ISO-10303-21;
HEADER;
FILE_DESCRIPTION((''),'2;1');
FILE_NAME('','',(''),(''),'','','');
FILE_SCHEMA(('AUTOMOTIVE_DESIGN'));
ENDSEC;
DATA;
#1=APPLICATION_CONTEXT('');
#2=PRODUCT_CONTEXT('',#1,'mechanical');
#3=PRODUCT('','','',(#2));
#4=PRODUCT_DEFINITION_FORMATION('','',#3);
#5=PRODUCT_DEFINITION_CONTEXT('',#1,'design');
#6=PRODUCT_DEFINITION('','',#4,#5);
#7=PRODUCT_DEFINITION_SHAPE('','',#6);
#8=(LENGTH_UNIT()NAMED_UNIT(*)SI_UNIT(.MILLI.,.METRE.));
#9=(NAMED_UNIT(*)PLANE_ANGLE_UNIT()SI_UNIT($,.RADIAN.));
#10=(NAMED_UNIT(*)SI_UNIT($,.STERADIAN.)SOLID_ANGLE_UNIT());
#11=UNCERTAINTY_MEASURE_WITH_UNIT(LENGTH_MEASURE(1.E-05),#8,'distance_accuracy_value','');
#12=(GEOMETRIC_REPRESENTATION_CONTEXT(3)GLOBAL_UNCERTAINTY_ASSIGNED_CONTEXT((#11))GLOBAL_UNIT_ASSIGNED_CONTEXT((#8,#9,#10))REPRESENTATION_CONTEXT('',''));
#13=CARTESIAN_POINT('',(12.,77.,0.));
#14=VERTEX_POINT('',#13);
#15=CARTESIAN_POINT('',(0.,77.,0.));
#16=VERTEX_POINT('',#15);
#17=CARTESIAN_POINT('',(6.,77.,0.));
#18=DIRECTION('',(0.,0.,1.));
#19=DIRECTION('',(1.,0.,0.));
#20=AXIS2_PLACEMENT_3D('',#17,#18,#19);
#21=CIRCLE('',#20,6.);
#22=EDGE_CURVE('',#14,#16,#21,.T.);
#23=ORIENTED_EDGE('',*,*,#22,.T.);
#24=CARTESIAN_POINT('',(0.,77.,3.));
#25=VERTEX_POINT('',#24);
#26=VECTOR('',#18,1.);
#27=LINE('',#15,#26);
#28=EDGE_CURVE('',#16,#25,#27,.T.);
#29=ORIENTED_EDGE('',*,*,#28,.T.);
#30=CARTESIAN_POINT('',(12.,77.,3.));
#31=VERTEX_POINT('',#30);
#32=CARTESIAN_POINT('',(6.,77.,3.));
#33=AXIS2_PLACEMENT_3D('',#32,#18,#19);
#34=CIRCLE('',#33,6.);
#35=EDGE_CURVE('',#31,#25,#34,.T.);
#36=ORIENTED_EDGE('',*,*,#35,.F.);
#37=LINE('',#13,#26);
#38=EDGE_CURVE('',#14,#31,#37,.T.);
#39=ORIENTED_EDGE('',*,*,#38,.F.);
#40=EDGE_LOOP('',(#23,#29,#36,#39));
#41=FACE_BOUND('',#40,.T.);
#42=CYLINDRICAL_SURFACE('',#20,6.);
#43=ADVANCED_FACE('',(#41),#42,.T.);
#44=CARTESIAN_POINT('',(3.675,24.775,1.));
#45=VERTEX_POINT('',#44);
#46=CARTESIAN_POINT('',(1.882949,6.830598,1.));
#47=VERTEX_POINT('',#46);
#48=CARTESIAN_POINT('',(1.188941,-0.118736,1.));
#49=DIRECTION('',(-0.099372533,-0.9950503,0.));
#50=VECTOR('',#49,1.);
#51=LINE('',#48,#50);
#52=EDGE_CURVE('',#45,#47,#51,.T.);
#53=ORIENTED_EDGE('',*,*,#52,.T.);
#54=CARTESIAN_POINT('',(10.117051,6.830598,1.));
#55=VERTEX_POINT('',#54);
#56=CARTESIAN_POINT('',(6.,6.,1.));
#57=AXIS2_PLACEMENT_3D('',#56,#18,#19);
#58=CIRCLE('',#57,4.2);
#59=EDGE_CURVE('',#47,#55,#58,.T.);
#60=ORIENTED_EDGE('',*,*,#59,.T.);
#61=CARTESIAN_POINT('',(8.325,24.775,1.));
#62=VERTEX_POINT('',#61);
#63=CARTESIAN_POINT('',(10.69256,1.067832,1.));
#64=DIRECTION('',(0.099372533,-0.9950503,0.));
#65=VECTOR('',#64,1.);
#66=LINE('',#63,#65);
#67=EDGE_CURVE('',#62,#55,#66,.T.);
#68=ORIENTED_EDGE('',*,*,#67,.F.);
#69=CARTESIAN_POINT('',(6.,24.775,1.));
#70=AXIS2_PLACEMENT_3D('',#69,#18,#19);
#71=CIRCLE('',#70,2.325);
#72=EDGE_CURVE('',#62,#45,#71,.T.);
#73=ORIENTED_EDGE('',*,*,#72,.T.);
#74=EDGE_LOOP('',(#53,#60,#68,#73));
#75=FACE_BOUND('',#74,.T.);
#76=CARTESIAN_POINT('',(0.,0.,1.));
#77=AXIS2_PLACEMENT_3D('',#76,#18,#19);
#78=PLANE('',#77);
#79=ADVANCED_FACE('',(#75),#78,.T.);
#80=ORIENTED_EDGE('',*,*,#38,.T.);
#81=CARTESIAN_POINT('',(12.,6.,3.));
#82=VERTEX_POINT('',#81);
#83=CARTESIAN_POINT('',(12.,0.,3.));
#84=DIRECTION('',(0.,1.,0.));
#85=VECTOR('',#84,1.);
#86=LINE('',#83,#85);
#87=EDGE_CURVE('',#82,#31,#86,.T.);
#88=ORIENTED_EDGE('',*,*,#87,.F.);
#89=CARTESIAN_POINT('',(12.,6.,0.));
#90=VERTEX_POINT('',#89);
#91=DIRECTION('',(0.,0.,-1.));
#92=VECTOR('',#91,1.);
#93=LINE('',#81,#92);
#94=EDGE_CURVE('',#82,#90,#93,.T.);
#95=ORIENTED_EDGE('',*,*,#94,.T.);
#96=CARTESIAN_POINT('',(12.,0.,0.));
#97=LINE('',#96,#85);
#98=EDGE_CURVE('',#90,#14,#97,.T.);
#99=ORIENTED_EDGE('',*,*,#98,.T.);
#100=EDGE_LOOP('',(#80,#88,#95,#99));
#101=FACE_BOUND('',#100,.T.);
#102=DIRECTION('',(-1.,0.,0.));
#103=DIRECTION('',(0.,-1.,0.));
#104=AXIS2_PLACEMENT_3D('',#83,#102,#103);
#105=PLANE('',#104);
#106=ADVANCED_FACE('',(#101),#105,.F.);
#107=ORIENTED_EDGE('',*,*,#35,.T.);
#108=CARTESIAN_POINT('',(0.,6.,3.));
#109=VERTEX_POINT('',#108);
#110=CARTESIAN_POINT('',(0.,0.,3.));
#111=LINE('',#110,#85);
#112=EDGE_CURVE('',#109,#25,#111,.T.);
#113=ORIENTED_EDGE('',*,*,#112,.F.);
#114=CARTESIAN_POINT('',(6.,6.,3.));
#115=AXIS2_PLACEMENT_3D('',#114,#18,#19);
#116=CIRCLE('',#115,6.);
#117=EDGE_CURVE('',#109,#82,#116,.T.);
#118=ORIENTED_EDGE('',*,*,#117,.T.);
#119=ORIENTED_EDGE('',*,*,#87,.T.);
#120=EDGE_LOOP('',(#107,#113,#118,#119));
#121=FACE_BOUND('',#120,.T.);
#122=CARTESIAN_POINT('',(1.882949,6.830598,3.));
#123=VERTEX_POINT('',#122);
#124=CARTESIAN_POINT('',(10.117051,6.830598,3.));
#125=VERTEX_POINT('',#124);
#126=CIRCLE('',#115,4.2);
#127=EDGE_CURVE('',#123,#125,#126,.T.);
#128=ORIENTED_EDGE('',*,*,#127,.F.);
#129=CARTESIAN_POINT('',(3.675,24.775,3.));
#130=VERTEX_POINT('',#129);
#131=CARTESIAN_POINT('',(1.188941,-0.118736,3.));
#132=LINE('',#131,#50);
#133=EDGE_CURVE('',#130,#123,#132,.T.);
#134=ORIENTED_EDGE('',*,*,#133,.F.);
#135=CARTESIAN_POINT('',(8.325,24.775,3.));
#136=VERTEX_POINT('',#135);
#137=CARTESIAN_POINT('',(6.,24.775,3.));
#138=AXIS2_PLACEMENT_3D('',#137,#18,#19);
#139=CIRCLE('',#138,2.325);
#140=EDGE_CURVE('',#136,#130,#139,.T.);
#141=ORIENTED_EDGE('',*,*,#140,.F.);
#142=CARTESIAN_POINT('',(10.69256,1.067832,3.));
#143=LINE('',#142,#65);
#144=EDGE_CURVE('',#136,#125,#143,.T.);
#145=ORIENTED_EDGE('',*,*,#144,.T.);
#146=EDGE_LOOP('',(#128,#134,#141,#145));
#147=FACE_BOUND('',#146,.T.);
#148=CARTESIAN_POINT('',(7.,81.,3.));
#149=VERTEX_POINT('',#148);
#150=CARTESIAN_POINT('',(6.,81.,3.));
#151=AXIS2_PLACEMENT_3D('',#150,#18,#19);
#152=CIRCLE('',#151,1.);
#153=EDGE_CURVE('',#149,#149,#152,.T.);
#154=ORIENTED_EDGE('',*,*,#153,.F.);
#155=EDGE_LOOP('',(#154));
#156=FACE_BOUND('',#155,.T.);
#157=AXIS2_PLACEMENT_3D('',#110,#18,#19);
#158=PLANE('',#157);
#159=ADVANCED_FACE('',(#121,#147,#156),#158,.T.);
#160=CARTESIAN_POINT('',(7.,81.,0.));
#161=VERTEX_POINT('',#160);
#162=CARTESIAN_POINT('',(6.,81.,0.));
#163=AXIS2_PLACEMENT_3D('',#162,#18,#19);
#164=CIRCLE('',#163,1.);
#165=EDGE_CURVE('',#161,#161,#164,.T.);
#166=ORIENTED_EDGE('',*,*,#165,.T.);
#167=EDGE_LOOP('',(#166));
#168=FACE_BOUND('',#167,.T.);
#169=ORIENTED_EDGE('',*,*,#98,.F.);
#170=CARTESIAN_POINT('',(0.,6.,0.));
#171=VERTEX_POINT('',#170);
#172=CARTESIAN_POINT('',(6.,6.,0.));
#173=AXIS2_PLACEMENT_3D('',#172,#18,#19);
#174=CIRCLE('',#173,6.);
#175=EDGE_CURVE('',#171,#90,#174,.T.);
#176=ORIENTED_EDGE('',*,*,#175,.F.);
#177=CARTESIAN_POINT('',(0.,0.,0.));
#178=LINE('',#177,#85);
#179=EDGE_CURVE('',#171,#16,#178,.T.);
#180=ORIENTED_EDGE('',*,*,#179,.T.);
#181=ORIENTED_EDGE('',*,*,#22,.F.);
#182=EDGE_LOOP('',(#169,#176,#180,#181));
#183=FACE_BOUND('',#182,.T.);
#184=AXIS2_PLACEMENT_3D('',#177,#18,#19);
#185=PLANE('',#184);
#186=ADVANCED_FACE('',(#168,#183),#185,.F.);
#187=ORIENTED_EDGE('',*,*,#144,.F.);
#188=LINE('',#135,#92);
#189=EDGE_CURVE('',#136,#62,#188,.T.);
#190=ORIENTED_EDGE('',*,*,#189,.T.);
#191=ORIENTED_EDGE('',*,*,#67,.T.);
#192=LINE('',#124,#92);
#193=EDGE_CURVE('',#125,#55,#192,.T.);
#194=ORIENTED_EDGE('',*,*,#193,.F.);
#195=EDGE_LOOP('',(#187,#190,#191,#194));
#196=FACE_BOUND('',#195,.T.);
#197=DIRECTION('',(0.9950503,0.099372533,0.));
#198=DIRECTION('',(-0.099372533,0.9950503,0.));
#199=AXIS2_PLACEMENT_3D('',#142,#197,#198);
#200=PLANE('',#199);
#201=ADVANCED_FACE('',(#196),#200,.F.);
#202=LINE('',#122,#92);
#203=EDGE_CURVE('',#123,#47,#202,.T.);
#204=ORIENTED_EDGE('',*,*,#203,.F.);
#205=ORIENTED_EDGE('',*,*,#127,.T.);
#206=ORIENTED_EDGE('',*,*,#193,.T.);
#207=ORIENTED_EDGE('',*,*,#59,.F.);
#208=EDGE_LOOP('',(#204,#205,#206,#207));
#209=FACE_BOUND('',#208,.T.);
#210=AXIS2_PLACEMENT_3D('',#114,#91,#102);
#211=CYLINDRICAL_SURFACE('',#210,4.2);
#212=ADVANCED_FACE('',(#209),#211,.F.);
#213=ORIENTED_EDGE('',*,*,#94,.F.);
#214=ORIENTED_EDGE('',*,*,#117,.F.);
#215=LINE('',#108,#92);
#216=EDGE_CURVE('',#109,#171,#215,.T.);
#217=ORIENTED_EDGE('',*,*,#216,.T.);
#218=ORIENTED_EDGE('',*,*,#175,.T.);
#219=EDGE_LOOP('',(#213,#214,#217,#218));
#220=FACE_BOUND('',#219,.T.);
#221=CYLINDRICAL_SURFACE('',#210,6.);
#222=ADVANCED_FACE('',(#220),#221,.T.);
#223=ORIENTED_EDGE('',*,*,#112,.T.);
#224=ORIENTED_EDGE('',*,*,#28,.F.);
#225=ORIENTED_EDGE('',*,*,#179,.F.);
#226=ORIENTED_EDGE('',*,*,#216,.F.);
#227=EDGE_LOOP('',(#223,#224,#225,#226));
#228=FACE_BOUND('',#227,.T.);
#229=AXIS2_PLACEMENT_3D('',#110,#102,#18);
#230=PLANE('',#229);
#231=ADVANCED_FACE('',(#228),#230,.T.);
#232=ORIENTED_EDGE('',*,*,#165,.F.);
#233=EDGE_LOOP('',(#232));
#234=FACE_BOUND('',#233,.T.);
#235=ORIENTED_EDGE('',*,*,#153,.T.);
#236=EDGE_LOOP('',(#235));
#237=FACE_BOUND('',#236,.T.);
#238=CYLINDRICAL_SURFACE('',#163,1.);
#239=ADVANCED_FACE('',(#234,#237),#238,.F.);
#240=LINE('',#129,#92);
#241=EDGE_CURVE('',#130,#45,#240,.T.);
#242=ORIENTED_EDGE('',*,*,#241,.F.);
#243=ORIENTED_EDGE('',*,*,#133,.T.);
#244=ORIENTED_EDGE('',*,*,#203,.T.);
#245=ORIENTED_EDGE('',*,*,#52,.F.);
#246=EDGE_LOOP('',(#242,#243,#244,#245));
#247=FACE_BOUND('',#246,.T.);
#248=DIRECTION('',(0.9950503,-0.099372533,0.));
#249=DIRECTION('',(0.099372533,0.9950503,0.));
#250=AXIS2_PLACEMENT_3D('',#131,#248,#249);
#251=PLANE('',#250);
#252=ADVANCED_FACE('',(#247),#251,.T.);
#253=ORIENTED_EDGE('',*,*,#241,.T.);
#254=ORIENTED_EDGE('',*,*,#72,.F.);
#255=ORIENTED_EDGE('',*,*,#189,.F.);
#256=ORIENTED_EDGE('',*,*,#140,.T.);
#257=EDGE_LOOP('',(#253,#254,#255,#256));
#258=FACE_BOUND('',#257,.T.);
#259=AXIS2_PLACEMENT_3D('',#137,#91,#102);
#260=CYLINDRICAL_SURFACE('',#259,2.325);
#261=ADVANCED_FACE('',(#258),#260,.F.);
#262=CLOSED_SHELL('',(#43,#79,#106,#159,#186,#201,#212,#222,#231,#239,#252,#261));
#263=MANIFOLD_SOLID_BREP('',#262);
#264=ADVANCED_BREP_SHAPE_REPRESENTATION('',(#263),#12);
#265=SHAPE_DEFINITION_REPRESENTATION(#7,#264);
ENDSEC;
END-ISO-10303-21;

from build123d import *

# Parameters (mm, degrees)
BOSS_EXTRUDE1_DEPTH = 3
BOSS_EXTRUDE2_DEPTH = 1
SKETCH2_R           = 1
CUT_EXTRUDE1_DEPTH  = 84.91662529


with BuildPart() as part:
    # Sketch1 → Boss-Extrude1 (new body)
    with BuildSketch(Plane.XY):
        with BuildLine():
            Line((0, 83), (0, 6))
            ThreePointArc((0, 6), (1.757359313, 1.757359313), (6, 0))
            ThreePointArc((6, 0), (10.242640687, 1.757359313), (12, 6))
            Line((12, 6), (12, 83))
            Line((12, 83), (0, 83))
        make_face()
        with BuildLine():
            Line((1.882949163, 6.83059762), (3.675, 24.775))
            ThreePointArc((3.675, 24.775), (6, 27.1), (8.325, 24.775))
            Line((8.325, 24.775), (10.117050837, 6.83059762))
            ThreePointArc((10.117050837, 6.83059762), (6, 1.8), (1.882949163, 6.83059762))
        make_face(mode=Mode.SUBTRACT)
    extrude(amount=BOSS_EXTRUDE1_DEPTH)

    # Sketch1<3> → Boss-Extrude2 (add)
    with BuildSketch(Plane.XY):
        with BuildLine():
            ThreePointArc((8.325, 24.775), (6, 27.1), (3.675, 24.775))
            Line((3.675, 24.775), (1.882949163, 6.83059762))
            ThreePointArc((1.882949163, 6.83059762), (6, 1.8), (10.117050837, 6.83059762))
            Line((10.117050837, 6.83059762), (8.325, 24.775))
        make_face()
    extrude(amount=BOSS_EXTRUDE2_DEPTH)

    # Sketch2 → Cut-Extrude1 (cut, through all)
    with BuildSketch(Plane.XY.offset(3)):
        with BuildLine():
            Line((12, 83), (6, 83))
            ThreePointArc((6, 83), (10.242640687, 81.242640687), (12, 77))
            Line((12, 77), (12, 83))
        make_face()
        with BuildLine():
            Line((0, 83), (0, 77))
            ThreePointArc((0, 77), (1.757359313, 81.242640687), (6, 83))
            Line((6, 83), (0, 83))
        make_face()
        with Locations((6, 81)):
            Circle(SKETCH2_R)
    extrude(amount=-CUT_EXTRUDE1_DEPTH, mode=Mode.SUBTRACT)


solid = part.part
